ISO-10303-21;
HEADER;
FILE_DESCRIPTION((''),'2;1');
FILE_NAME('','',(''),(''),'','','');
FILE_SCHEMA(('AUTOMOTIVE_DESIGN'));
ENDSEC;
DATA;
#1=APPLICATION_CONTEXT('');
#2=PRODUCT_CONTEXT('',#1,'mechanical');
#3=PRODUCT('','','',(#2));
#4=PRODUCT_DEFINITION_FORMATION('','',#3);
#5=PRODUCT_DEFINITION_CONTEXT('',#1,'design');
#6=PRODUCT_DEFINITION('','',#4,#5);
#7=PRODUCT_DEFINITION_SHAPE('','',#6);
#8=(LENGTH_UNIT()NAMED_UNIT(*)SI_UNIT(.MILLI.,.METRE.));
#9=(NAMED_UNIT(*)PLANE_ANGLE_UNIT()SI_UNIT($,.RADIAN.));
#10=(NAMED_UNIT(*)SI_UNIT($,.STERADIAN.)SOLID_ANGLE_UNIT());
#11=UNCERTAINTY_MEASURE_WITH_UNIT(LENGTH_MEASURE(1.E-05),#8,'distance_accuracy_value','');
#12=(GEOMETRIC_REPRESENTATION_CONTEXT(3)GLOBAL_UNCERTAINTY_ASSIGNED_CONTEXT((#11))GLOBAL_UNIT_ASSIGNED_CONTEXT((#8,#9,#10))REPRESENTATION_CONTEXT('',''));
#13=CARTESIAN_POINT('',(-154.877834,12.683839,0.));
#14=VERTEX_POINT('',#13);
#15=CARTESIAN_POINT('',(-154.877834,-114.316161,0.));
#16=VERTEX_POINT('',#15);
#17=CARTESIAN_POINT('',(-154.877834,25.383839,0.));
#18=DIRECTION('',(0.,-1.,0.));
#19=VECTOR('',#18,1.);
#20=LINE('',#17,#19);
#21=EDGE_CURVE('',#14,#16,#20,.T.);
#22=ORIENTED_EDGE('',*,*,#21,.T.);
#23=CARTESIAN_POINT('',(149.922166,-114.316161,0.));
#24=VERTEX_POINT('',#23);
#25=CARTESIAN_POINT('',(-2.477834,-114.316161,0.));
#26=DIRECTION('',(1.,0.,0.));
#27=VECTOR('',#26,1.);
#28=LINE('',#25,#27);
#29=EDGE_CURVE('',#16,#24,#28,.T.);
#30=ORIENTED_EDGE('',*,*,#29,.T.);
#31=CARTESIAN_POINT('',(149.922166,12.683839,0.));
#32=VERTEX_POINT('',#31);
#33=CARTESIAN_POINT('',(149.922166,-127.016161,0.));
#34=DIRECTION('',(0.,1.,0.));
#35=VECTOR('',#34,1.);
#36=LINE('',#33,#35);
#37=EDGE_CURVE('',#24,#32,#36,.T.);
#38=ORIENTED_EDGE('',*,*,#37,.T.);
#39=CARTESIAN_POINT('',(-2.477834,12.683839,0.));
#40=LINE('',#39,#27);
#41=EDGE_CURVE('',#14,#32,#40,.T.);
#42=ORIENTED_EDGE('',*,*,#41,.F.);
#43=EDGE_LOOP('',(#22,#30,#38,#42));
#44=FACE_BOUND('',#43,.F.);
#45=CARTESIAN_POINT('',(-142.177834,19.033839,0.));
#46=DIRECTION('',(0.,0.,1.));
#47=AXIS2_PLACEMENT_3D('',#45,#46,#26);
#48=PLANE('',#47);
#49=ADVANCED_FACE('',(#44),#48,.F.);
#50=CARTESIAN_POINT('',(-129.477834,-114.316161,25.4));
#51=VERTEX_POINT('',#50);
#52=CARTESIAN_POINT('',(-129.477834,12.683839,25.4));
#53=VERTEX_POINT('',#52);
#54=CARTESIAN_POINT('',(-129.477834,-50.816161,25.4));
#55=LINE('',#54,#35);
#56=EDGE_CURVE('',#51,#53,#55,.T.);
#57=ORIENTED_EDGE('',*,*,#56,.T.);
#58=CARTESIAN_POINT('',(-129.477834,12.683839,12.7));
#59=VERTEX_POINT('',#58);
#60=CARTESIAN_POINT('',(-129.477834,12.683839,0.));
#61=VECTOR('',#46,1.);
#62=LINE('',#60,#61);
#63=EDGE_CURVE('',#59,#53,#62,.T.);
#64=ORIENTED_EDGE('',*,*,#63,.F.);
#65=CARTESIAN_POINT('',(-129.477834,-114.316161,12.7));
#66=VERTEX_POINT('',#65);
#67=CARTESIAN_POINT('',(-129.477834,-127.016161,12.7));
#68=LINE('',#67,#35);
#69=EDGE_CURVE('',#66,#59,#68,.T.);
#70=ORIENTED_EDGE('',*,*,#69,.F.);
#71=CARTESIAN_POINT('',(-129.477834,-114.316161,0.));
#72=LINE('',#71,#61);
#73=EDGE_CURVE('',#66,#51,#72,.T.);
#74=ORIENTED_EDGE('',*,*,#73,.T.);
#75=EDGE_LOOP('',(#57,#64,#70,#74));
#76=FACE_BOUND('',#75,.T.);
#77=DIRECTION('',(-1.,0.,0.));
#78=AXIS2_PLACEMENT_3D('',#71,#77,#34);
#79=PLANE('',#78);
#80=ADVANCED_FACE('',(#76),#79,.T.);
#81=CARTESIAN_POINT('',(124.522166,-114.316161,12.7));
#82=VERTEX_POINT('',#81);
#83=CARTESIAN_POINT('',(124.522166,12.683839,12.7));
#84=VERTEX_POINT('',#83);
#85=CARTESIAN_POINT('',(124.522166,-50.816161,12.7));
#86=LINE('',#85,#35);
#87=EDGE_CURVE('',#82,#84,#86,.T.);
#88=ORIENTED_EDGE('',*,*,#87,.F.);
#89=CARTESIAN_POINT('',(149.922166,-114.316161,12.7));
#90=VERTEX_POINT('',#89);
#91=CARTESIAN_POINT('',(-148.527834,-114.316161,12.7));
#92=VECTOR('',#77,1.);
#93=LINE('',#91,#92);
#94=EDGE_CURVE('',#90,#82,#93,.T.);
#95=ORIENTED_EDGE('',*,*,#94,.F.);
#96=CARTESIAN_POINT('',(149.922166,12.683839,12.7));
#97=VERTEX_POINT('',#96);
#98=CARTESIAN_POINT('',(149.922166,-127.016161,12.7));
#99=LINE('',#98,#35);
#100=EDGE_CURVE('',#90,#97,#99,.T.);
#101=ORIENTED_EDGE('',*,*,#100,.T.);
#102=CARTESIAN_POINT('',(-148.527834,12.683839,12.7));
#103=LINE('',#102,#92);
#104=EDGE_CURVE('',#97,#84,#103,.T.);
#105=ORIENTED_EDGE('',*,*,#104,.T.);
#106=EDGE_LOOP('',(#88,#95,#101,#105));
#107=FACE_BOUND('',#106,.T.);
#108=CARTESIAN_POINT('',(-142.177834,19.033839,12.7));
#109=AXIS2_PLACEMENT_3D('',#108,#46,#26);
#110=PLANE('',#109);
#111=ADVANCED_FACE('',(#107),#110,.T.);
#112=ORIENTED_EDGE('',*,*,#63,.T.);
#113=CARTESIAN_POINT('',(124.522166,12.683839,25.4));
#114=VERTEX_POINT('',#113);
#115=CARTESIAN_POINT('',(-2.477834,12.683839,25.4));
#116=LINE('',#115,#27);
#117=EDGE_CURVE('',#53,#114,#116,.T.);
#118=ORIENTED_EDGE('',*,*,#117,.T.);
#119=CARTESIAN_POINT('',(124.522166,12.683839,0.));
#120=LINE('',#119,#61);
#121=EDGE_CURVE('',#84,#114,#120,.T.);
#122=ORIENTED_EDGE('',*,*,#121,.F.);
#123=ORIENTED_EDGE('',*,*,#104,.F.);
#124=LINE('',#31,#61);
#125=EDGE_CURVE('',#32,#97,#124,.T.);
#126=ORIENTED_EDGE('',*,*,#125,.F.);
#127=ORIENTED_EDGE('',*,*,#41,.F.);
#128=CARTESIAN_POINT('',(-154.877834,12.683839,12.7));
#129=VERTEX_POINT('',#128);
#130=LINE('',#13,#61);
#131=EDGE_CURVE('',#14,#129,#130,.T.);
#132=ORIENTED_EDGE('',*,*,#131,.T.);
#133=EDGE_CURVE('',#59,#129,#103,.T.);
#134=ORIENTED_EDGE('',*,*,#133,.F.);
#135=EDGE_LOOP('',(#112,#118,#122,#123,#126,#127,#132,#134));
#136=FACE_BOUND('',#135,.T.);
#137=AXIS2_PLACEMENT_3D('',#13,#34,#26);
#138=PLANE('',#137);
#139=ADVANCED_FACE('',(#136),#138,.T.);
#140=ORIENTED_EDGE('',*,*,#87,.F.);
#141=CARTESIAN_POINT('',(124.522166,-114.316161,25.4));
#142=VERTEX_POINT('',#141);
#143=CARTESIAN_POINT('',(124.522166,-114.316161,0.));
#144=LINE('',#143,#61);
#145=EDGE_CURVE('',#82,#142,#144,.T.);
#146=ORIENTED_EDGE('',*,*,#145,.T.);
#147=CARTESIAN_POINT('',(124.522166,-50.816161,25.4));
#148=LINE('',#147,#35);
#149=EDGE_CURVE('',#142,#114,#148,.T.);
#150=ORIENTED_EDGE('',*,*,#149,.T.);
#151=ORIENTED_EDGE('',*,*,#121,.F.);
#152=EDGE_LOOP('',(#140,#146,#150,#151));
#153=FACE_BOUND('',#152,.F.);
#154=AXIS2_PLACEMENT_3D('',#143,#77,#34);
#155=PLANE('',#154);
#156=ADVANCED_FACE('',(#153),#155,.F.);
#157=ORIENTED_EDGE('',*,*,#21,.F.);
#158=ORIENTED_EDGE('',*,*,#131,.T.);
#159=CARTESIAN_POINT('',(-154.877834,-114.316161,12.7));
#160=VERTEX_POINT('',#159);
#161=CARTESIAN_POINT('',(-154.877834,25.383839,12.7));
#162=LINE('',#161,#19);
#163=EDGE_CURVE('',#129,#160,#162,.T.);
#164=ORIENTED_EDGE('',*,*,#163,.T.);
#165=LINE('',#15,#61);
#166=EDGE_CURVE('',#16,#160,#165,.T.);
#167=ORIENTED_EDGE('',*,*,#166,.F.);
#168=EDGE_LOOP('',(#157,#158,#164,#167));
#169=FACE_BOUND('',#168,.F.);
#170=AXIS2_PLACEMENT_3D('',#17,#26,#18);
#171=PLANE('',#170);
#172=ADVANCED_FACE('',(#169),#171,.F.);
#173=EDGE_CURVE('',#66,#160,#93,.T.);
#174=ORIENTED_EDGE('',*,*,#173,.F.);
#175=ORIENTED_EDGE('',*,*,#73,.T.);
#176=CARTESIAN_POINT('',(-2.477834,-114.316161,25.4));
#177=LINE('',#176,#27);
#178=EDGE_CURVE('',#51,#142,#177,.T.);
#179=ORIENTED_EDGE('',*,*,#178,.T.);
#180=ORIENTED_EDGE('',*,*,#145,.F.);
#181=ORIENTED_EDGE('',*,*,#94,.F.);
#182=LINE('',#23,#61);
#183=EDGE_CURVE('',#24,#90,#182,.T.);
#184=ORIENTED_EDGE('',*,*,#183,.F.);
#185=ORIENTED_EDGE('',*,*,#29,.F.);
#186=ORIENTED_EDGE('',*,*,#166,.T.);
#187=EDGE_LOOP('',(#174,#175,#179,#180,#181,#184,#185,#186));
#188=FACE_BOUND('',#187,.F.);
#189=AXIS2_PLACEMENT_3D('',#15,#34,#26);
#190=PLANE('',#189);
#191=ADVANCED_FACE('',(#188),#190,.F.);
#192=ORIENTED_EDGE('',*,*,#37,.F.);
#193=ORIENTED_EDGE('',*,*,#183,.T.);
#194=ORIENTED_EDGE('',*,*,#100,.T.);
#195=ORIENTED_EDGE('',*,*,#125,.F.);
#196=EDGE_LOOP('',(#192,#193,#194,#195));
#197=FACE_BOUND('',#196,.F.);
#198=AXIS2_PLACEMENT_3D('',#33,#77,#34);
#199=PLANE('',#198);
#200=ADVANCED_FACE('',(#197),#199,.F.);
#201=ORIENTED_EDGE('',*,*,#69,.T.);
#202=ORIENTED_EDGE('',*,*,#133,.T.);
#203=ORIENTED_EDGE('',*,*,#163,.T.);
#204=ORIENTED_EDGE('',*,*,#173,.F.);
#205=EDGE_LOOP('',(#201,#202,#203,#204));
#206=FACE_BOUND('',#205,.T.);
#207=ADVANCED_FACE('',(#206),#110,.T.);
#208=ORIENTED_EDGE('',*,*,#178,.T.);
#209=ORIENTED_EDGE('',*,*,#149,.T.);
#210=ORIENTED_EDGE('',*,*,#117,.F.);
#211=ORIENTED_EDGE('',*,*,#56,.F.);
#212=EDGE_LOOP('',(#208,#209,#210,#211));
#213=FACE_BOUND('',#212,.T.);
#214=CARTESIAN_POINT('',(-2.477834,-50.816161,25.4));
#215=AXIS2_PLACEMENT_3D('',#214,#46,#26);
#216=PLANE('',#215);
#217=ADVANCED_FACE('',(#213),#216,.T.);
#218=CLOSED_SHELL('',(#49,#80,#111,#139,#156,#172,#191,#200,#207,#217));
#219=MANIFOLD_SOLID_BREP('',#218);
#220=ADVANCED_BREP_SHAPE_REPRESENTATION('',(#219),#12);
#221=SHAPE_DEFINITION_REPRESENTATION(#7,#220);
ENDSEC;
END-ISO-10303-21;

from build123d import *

# Parameters (mm, degrees)
F0_W     = 254
F0_H     = 127
F1_DEPTH = 25.4
F0_W_2   = 25.4
F0_H_2   = 12.7
F2_DEPTH = 12.7
F3_W     = 304.8
F3_H     = 12.7
F4_DEPTH = 25.4


with BuildPart() as f1:
    # F0 (on Top) → F1 (new body)
    with BuildSketch(Plane.XY):
        with Locations((-2.477834, -50.816161)):
            Rectangle(F0_W, F0_H)
    extrude(amount=F1_DEPTH)

    # F0 (on Top) → F2 (join)
    with BuildSketch(Plane.XY):
        with Locations((-142.177834, 19.033839)):
            Rectangle(F0_W_2, F0_H_2)
        with Locations((-2.477834, 19.033839)):
            Rectangle(F0_W, F0_H_2)
        with Locations((-142.177834, -50.816161)):
            Rectangle(F0_W_2, F0_H)
        with Locations((137.222166, 19.033839)):
            Rectangle(F0_W_2, F0_H_2)
        with Locations((-142.177834, -120.666161)):
            Rectangle(F0_W_2, F0_H_2)
        with Locations((137.222166, -50.816161)):
            Rectangle(F0_W_2, F0_H)
        with Locations((-2.477834, -120.666161)):
            Rectangle(F0_W, F0_H_2)
        with Locations((137.222166, -120.666161)):
            Rectangle(F0_W_2, F0_H_2)
    extrude(amount=F2_DEPTH)

    # F3 (on face) → F4 (cut)
    with BuildSketch(Plane(origin=(0, 0, 0), x_dir=(1, 0, 0), z_dir=(0, 0, -1))):
        with Locations((-2.477834, 120.666161)):
            Rectangle(F3_W, F3_H)
        with Locations((-2.477834, -19.033839)):
            Rectangle(F3_W, F3_H)
    extrude(amount=-F4_DEPTH, mode=Mode.SUBTRACT)


solid = f1.part
